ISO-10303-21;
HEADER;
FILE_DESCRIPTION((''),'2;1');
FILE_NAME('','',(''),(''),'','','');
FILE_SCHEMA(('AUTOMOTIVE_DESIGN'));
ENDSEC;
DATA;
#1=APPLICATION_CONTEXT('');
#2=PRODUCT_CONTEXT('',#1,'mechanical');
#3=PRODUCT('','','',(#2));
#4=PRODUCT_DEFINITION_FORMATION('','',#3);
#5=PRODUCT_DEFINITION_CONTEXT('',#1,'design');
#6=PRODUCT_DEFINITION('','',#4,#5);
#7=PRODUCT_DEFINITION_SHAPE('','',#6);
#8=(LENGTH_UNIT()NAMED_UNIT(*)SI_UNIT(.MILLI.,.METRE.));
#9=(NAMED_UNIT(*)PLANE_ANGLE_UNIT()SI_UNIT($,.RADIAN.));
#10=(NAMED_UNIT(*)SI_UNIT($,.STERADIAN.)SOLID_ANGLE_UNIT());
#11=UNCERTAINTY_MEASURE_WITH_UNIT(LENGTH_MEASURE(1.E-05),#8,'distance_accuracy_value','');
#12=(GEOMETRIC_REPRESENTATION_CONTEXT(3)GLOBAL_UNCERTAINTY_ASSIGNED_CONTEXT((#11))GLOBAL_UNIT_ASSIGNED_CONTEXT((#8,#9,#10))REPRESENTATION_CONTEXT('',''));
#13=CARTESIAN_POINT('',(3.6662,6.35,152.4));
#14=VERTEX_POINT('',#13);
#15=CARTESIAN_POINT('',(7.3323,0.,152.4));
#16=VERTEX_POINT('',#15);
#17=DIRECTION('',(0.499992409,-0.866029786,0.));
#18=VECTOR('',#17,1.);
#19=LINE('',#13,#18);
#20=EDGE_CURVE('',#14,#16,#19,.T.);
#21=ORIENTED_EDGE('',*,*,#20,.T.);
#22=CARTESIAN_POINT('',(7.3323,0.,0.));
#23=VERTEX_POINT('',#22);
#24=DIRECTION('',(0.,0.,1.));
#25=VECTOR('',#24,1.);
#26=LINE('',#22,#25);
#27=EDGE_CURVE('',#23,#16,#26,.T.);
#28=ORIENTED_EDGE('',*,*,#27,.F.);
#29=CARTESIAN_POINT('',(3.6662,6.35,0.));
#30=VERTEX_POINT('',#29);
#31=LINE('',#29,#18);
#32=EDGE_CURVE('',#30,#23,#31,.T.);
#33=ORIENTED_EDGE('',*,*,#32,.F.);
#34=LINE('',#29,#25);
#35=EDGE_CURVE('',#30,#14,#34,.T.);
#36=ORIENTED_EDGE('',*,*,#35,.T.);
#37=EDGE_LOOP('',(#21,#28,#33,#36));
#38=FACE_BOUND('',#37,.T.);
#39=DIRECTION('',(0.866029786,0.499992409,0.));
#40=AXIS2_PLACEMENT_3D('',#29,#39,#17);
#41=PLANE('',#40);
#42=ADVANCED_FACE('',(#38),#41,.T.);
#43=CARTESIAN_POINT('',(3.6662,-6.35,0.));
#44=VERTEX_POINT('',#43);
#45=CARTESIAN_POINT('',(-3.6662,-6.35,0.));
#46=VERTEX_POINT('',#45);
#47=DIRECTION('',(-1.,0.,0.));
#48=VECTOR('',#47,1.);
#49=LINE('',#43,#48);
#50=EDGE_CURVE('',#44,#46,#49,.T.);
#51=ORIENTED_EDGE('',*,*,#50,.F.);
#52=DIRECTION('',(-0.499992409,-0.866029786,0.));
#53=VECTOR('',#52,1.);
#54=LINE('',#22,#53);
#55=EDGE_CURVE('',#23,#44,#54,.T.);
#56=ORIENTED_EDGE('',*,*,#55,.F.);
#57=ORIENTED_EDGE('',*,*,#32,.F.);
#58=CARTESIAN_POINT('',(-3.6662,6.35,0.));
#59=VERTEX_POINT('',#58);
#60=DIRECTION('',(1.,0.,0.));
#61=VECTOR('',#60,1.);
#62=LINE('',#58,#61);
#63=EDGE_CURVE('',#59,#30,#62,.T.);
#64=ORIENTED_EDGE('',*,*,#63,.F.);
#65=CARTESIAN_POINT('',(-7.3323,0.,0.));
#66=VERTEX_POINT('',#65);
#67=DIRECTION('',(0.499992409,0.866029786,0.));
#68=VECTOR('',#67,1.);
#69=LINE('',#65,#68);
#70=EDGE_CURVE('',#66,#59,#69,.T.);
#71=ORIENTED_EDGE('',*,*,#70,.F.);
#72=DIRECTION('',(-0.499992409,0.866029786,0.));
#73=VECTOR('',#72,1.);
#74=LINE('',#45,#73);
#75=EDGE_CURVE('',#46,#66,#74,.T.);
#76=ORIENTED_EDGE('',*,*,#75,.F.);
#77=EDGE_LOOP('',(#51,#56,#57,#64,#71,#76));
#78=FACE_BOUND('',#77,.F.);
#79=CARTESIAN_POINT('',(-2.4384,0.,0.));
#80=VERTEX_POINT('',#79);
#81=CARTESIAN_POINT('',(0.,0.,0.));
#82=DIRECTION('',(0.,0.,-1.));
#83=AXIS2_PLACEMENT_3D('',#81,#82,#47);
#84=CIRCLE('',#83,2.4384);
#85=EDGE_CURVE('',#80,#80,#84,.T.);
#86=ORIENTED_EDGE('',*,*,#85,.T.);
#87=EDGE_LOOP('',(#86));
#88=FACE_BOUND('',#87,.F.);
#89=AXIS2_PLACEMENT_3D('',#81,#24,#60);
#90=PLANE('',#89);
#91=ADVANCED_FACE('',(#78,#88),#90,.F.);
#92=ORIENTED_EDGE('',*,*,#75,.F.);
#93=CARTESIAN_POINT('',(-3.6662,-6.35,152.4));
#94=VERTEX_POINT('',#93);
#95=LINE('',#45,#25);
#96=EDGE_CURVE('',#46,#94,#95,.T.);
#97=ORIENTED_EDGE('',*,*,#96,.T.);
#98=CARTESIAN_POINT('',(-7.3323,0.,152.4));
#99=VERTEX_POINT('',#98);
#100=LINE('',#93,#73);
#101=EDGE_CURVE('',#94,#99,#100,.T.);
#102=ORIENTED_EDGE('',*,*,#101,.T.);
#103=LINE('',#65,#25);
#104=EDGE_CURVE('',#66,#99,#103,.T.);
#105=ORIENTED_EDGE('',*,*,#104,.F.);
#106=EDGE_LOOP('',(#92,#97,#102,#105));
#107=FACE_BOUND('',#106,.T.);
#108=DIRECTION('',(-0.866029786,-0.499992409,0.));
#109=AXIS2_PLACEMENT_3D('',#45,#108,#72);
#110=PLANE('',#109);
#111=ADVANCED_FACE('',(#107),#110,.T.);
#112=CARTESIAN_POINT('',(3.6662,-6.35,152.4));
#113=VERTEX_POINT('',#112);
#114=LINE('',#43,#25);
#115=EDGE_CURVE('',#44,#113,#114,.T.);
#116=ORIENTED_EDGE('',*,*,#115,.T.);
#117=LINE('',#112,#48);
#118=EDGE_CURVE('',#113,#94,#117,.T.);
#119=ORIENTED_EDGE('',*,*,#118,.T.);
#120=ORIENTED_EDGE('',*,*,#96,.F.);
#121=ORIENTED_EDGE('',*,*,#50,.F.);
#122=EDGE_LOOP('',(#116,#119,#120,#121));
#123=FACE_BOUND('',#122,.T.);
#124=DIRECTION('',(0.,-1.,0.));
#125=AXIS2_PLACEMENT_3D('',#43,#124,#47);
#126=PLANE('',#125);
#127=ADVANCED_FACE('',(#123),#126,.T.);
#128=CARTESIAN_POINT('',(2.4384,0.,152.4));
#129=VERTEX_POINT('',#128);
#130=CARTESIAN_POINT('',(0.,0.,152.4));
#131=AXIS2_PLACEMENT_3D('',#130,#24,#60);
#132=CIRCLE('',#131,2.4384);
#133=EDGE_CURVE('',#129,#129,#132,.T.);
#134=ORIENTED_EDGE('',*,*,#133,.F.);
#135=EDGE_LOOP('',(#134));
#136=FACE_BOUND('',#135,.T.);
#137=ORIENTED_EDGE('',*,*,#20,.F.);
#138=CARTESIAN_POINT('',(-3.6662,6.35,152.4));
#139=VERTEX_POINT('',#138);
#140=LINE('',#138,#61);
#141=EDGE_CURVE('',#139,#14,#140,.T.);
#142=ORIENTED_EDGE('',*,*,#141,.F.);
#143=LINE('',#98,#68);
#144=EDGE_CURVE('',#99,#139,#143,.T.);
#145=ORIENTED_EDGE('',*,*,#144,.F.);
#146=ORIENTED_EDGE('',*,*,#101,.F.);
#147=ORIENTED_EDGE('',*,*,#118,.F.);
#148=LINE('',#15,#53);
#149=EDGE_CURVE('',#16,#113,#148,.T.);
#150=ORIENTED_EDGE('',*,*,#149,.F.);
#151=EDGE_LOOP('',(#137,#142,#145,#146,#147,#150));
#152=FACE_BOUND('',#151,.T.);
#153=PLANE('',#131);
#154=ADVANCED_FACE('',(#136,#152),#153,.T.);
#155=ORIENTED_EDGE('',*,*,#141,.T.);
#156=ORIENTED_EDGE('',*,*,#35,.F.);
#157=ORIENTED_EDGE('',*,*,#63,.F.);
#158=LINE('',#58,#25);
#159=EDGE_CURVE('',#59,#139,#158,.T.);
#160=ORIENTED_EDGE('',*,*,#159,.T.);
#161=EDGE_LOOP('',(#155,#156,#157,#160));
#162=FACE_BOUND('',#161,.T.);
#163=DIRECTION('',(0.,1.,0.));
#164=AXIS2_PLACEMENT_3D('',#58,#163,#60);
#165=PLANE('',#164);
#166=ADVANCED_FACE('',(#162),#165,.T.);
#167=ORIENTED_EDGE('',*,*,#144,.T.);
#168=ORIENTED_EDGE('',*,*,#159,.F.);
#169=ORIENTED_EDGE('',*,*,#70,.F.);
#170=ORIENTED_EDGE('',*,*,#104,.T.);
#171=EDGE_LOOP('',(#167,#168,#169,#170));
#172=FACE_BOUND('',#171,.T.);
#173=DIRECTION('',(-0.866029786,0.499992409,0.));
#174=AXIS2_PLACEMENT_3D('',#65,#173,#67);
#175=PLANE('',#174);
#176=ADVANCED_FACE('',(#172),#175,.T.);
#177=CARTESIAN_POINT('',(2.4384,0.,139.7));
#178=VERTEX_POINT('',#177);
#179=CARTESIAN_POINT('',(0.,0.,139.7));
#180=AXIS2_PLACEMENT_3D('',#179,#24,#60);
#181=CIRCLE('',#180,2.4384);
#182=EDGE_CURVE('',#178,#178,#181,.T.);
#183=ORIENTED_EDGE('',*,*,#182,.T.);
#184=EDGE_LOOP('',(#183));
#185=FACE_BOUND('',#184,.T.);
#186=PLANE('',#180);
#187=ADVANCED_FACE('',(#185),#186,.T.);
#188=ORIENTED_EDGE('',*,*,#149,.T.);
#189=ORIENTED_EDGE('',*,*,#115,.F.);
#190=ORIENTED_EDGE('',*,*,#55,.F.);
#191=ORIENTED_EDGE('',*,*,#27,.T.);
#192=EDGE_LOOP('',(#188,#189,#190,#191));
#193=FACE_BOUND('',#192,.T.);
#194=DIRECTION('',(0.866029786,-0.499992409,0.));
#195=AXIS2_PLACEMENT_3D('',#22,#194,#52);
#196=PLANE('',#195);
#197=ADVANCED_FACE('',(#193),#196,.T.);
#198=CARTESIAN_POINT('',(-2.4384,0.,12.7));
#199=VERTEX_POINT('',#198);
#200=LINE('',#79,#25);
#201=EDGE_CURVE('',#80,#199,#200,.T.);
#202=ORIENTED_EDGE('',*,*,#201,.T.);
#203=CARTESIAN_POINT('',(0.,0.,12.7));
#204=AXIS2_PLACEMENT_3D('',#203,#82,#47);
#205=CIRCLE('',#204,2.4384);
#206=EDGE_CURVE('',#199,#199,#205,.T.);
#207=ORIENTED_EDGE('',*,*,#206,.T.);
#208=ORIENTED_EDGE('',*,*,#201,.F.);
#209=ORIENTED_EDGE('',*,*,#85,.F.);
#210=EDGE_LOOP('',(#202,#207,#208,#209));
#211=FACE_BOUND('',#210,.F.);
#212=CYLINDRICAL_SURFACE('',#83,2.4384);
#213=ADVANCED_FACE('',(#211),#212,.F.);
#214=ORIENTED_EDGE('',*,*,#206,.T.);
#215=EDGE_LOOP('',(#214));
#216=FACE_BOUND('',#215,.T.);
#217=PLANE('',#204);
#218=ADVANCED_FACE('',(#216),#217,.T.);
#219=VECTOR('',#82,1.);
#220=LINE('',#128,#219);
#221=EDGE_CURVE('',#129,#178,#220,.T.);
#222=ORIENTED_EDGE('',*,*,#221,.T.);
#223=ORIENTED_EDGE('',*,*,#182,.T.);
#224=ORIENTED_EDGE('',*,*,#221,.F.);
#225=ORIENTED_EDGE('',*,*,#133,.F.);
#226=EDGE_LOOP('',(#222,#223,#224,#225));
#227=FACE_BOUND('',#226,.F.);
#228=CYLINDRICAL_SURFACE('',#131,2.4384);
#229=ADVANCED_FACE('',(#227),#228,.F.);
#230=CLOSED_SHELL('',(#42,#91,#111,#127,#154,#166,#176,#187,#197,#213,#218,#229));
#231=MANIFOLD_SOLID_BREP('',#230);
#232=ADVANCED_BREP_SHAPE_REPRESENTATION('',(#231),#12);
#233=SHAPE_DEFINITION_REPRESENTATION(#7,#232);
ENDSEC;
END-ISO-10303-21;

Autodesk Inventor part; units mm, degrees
ref_plane "YZ Plane" through (0, 0, 0) normal (1, 0, 0) x (0, 1, 0)
ref_plane "XZ Plane" through (0, 0, 0) normal (0, 1, 0) x (-1, 0, 0)
ref_plane "XY Plane" through (0, 0, 0) normal (0, 0, 1) x (1, 0, 0)
sketch "Sketch1" plane through (0, 0, 0) normal (0, 0, 1) x (1, 0, 0)
  line L0 (3.6662, 6.35) -> (7.3323, 0)
  line L1 (7.3323, 0) -> (3.6662, -6.35)
  line L2 (3.6662, -6.35) -> (-3.6662, -6.35)
  line L3 (-3.6662, -6.35) -> (-7.3323, 0)
  line L4 (-7.3323, 0) -> (-3.6662, 6.35)
  line L5 (-3.6662, 6.35) -> (3.6662, 6.35)
  point P0 (0, 0)
  point P1 (0, 0)
  dimension "d0" = 12.7
extrude "Extrusion1" add sketch "Sketch1" along normal blind 152.4
sketch "Sketch4" plane through (0, 0, 152.4) normal (0, 0, 1) x (1, 0, 0)
  circle A0 centre (0, 0) radius 2.4384
  dimension "d10" = 4.8768
extrude "Extrusion4" cut sketch "Sketch4" against normal blind 12.7
sketch "Sketch5" plane through (0, 0, 0) normal (0, 0, -1) x (-1, 0, 0)
  circle A0 centre (0, 0) radius 2.4384
  dimension "d13" = 4.8768
extrude "Extrusion5" cut sketch "Sketch5" against normal blind 12.7
properties part number "OuterAxle" material "Aluminum-6061"
